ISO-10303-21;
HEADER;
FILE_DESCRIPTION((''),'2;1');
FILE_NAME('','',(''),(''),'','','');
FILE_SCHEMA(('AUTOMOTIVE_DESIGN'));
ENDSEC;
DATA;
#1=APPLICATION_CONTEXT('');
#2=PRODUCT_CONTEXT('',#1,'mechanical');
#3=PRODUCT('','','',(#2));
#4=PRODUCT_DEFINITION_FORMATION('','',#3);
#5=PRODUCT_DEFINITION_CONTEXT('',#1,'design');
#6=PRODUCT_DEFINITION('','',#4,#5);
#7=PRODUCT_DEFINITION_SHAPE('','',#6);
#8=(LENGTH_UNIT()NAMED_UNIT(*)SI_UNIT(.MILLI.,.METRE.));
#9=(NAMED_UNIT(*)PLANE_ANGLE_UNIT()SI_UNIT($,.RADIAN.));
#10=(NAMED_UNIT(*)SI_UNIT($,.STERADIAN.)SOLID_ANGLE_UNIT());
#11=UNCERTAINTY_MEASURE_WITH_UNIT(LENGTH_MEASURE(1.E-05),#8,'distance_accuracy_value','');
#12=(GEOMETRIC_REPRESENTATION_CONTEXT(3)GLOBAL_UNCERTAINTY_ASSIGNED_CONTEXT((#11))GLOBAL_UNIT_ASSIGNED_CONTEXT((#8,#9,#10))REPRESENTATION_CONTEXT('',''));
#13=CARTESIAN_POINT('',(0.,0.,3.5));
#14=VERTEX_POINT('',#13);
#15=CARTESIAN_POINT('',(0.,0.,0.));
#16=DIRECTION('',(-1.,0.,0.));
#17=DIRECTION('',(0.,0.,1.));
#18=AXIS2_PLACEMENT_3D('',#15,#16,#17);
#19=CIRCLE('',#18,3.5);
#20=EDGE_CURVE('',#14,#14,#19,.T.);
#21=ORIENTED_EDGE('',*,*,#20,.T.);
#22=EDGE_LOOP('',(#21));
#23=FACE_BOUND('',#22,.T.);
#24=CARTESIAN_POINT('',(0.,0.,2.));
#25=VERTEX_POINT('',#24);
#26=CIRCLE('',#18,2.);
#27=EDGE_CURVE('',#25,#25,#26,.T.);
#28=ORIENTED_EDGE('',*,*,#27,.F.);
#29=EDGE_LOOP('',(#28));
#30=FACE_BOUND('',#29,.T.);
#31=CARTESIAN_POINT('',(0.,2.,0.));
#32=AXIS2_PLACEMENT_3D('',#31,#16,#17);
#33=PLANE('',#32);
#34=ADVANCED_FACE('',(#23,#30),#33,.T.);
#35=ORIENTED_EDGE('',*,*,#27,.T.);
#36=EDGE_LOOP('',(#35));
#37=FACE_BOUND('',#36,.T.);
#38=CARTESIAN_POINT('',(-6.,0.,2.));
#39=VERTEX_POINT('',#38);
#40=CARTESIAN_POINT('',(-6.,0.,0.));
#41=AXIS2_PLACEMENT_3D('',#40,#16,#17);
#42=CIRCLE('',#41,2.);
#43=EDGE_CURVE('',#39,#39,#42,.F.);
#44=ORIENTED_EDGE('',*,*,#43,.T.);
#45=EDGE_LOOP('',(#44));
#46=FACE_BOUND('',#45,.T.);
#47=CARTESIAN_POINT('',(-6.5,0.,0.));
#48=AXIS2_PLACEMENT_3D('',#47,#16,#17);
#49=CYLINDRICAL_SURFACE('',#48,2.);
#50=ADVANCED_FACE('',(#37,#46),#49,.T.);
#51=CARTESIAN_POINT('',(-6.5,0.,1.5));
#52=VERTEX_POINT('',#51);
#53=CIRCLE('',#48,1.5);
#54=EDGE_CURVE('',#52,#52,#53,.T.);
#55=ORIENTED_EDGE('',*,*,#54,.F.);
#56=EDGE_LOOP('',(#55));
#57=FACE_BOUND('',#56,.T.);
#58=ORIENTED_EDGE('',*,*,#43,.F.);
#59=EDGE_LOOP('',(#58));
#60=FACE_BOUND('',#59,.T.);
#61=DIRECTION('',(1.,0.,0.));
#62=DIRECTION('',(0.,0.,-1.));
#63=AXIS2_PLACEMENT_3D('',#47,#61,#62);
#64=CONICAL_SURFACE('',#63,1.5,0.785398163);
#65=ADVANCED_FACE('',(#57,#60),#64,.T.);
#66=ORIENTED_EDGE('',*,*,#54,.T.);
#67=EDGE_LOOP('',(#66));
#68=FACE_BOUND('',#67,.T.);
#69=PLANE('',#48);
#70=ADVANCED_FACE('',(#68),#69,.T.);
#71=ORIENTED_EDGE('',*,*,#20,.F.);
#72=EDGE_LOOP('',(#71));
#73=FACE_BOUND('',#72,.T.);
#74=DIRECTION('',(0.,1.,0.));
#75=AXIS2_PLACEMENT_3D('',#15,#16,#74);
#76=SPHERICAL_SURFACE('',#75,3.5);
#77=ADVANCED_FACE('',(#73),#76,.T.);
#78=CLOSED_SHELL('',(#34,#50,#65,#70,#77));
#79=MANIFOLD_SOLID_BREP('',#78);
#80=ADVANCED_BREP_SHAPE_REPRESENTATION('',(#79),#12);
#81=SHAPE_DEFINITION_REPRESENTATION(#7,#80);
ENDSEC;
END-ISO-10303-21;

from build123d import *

# Parameters (mm, degrees)
CHAMFER1_SIZE = 0.5


with BuildPart() as part:
    # Sketch1 → Revolve1 (revolve)
    with BuildSketch(Plane.XY):
        with BuildLine():
            Line((-6.5, 0), (-6.5, 2))
            Line((-6.5, 2), (0, 2))
            Line((0, 2), (0, 3.5))
            ThreePointArc((0, 3.5), (2.474873734, 2.474873734), (3.5, 0))
            Line((3.5, 0), (-6.5, 0))
        make_face()
    revolve(axis=Axis((-6.5, 0, 0), (1, 0, 0)))

    # Chamfer1
    chamfer1_edges = [part.edges().sort_by_distance(p)[0] for p in [
        (-6.5, -2, 0),
    ]]
    chamfer(chamfer1_edges, length=CHAMFER1_SIZE)


solid = part.part
